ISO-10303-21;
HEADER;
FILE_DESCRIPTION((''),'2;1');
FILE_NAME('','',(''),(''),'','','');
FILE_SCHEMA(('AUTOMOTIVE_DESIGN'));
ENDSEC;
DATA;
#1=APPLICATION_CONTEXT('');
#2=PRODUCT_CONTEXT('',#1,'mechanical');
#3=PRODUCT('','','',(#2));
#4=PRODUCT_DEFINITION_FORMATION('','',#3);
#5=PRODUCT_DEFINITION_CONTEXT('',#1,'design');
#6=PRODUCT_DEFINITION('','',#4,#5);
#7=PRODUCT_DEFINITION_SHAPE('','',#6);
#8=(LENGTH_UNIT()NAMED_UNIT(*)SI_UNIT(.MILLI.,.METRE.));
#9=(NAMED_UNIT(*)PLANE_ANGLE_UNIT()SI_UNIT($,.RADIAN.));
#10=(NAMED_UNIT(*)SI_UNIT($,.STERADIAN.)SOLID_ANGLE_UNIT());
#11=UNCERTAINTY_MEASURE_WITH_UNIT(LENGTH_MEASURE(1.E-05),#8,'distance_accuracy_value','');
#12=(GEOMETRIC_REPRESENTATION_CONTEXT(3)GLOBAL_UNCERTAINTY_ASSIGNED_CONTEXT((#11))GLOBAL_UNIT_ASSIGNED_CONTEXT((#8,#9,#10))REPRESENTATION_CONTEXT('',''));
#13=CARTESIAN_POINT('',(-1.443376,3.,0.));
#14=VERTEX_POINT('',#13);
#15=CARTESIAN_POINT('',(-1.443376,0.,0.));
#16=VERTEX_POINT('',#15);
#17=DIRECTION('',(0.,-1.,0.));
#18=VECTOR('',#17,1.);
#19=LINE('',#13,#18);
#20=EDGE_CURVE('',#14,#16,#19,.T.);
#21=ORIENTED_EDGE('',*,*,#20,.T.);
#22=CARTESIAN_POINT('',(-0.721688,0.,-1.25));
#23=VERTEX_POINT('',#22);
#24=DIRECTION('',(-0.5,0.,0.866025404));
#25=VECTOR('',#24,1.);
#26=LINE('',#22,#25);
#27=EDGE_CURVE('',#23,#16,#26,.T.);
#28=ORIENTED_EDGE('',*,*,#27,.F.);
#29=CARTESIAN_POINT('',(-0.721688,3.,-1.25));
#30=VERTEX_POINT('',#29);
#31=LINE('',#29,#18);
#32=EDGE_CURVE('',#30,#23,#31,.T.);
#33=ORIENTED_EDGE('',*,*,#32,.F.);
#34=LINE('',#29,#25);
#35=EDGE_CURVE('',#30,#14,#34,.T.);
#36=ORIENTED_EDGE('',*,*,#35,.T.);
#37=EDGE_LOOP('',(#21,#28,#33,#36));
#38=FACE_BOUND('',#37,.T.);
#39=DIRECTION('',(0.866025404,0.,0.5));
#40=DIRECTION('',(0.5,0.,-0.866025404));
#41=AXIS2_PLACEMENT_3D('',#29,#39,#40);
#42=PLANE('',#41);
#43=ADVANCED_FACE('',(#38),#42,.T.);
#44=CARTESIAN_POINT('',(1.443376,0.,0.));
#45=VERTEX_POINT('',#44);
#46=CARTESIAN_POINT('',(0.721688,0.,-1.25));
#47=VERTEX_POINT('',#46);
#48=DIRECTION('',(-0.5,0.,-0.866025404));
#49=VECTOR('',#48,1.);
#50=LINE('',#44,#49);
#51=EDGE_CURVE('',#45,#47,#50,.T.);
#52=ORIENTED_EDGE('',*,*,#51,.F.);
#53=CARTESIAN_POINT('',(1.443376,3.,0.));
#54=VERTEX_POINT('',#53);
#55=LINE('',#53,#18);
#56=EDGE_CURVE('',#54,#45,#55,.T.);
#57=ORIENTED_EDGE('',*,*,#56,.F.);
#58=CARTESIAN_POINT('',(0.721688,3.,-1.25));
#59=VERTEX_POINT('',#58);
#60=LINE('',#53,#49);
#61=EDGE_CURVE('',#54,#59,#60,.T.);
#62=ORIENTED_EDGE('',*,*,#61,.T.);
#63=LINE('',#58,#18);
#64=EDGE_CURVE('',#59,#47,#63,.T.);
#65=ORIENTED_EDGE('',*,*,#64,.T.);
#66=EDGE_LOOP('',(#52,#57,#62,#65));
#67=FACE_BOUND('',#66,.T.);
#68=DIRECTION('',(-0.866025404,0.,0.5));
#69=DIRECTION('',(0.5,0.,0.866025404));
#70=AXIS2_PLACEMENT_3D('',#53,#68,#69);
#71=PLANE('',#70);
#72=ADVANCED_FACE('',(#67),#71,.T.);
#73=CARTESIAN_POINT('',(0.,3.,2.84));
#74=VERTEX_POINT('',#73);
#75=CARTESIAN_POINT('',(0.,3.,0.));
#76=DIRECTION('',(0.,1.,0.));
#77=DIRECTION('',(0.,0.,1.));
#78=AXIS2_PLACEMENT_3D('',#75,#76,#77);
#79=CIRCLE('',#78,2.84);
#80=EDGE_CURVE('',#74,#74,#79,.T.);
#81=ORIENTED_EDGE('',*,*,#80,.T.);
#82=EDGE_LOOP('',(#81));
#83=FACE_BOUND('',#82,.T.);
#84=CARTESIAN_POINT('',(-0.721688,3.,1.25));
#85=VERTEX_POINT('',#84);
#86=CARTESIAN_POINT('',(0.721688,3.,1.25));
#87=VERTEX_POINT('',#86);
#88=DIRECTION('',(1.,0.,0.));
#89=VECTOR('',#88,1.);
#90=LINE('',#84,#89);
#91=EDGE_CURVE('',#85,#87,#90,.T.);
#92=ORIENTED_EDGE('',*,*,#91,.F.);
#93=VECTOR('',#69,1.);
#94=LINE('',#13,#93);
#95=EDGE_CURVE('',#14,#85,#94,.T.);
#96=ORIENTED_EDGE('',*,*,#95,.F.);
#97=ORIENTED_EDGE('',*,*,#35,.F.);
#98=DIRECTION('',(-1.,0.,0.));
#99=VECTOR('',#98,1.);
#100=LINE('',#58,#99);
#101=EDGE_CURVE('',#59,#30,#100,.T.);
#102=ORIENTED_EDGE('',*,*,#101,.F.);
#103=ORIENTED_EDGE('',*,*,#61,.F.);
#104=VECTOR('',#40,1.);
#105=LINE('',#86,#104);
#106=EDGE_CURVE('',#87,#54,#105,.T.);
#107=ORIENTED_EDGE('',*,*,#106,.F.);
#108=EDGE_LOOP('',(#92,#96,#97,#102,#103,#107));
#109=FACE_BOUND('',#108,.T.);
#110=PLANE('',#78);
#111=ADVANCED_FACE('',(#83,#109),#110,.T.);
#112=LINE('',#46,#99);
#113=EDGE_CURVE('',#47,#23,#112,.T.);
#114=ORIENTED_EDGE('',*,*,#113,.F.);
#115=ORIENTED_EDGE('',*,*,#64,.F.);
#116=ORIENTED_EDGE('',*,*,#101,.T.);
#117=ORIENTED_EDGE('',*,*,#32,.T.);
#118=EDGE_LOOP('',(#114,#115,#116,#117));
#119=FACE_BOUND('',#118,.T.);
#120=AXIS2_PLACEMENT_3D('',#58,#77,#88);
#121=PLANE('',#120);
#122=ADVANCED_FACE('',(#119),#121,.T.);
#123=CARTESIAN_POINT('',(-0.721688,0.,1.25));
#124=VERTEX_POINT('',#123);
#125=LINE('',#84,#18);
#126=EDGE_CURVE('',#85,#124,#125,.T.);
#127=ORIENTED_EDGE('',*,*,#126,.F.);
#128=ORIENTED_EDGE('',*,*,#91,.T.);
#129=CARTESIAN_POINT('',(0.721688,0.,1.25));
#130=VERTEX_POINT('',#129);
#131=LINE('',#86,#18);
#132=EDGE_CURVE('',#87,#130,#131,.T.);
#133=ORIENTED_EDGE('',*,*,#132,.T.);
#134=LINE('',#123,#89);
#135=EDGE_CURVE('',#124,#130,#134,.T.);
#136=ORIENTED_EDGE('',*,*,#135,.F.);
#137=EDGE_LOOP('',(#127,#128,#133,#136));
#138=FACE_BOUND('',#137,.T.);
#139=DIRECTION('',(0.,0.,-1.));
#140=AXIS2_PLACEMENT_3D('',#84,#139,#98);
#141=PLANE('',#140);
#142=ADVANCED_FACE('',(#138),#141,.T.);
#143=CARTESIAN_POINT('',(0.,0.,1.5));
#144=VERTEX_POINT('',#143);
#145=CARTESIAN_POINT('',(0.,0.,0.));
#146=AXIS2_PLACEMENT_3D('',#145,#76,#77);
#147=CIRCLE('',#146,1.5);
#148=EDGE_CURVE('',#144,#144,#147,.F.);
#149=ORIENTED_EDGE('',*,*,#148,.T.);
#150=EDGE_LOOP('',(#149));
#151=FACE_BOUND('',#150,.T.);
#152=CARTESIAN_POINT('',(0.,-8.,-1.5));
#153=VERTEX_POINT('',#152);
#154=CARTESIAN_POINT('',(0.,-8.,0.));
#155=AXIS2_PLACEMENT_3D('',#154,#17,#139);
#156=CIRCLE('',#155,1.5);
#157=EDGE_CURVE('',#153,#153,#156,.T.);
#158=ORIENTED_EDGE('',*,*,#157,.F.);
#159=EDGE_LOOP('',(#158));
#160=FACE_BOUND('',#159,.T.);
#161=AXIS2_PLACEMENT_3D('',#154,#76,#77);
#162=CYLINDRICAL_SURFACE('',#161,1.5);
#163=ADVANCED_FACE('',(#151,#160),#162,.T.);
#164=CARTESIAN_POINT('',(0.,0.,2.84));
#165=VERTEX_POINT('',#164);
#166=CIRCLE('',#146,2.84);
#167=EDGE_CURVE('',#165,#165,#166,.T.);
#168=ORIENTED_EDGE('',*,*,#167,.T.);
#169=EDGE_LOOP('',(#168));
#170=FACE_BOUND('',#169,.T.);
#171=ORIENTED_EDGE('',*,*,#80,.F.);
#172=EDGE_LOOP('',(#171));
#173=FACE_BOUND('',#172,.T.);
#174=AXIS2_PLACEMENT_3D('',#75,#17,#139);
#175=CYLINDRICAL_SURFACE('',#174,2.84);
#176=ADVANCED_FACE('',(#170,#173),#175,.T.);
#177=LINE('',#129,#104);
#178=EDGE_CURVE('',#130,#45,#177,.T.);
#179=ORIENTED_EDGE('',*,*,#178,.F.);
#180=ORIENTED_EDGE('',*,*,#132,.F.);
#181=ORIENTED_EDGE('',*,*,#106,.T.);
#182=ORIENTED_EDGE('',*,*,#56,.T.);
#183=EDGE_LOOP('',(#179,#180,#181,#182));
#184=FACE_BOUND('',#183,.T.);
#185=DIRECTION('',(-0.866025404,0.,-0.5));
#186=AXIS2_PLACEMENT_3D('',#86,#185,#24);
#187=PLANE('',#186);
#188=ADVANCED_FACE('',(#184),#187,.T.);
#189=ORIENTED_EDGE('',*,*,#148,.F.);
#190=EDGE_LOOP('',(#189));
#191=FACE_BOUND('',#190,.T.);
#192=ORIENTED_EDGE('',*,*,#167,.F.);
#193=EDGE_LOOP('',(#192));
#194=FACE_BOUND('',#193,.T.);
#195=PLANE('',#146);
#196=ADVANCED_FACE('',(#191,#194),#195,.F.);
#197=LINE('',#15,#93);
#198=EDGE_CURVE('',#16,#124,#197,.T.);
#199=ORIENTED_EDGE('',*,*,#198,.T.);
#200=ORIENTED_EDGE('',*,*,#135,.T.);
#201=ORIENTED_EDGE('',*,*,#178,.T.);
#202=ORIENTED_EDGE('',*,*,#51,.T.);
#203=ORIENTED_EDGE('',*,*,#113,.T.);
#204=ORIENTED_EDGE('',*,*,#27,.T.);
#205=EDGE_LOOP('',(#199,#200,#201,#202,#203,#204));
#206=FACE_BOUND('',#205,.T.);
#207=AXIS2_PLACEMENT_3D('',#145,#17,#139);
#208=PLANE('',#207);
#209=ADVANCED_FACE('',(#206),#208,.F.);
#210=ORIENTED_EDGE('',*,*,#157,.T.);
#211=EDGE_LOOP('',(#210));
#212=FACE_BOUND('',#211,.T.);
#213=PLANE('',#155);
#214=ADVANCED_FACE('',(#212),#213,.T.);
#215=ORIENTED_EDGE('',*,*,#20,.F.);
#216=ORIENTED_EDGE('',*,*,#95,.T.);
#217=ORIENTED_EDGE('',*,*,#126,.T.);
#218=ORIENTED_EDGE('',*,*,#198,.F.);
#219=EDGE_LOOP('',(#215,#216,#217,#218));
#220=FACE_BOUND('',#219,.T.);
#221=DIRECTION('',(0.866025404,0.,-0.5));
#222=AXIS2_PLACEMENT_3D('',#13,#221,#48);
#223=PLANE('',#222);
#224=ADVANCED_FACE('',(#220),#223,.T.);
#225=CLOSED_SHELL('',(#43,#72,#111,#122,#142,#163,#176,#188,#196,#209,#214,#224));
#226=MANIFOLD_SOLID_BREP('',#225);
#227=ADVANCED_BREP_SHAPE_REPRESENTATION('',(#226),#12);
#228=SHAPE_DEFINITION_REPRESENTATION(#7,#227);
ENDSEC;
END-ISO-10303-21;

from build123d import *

# Parameters (mm, degrees)
SKETCH1_R           = 2.84
BOSS_EXTRUDE1_DEPTH = 3
SKETCH2_R           = 1.5
BOSS_EXTRUDE2_DEPTH = 8


with BuildPart() as part:
    # Sketch1 → Boss-Extrude1 (new body)
    with BuildSketch(Plane(origin=(0, 0, 0), x_dir=(1, 0, 0), z_dir=(0, 1, 0))):
        with Locations(Location((0, 0, 0), (0, 0, 270))):
            Circle(SKETCH1_R)
        Polygon((0.721687836, 1.25), (-0.721687836, 1.25), (-1.443375673, 0), (-0.721687836, -1.25), (0.721687836, -1.25), (1.443375673, 0), align=None, mode=Mode.SUBTRACT)
    extrude(amount=BOSS_EXTRUDE1_DEPTH)

    # Sketch2 → Boss-Extrude2 (add)
    with BuildSketch(Plane.XZ):
        with Locations(Location((0, 0, 0), (0, 0, 90))):
            Circle(SKETCH2_R)
    extrude(amount=BOSS_EXTRUDE2_DEPTH)


solid = part.part
